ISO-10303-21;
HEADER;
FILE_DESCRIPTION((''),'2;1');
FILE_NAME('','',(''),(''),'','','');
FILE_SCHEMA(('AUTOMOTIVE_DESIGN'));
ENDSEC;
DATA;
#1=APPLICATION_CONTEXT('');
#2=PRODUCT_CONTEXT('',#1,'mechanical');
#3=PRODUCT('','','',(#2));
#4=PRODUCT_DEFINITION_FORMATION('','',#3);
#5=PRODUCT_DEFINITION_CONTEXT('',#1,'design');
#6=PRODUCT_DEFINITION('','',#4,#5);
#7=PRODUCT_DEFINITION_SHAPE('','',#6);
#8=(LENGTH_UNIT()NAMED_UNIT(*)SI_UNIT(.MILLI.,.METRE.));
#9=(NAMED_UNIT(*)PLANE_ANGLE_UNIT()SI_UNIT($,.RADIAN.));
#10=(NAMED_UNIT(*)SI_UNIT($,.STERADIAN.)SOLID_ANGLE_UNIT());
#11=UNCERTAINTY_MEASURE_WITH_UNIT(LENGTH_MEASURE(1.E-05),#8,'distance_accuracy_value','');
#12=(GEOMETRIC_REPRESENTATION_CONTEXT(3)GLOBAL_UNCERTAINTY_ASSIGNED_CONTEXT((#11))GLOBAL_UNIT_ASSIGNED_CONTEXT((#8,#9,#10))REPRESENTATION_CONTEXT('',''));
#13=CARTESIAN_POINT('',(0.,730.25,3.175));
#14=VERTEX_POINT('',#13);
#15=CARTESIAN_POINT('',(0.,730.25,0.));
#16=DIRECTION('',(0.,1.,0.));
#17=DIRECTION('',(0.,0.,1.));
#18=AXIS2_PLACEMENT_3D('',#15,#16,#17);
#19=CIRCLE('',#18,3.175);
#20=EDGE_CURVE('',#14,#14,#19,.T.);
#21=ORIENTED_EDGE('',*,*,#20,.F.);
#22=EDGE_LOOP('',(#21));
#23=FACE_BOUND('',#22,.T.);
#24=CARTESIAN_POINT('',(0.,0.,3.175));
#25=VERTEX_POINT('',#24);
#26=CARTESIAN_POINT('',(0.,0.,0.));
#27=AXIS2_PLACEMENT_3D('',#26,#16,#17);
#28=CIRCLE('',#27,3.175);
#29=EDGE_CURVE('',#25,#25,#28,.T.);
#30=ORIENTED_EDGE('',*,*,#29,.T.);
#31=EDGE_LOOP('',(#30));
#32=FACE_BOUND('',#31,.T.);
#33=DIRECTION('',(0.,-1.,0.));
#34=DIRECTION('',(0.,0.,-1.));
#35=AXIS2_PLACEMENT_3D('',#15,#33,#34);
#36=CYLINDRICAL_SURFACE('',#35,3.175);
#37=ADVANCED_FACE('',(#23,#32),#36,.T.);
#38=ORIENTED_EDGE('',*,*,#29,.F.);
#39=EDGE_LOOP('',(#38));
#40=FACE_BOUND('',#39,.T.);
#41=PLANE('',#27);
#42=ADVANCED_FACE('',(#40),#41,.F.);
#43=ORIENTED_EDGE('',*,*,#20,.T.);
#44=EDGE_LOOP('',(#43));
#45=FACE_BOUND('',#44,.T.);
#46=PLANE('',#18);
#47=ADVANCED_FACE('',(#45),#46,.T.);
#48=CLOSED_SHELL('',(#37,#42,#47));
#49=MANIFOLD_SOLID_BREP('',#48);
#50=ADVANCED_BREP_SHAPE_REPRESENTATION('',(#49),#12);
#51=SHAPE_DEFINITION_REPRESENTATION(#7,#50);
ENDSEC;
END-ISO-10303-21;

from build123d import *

# Parameters (mm, degrees)
SKETCH1_2_R         = 3.175
BOSS_EXTRUDE2_DEPTH = 730.25


with BuildPart() as part:
    # Sketch1<2> → Boss-Extrude2 (new body)
    with BuildSketch(Plane(origin=(0, 0, 0), x_dir=(1, 0, 0), z_dir=(0, 1, 0))):
        Circle(SKETCH1_2_R)
    extrude(amount=BOSS_EXTRUDE2_DEPTH)


solid = part.part
